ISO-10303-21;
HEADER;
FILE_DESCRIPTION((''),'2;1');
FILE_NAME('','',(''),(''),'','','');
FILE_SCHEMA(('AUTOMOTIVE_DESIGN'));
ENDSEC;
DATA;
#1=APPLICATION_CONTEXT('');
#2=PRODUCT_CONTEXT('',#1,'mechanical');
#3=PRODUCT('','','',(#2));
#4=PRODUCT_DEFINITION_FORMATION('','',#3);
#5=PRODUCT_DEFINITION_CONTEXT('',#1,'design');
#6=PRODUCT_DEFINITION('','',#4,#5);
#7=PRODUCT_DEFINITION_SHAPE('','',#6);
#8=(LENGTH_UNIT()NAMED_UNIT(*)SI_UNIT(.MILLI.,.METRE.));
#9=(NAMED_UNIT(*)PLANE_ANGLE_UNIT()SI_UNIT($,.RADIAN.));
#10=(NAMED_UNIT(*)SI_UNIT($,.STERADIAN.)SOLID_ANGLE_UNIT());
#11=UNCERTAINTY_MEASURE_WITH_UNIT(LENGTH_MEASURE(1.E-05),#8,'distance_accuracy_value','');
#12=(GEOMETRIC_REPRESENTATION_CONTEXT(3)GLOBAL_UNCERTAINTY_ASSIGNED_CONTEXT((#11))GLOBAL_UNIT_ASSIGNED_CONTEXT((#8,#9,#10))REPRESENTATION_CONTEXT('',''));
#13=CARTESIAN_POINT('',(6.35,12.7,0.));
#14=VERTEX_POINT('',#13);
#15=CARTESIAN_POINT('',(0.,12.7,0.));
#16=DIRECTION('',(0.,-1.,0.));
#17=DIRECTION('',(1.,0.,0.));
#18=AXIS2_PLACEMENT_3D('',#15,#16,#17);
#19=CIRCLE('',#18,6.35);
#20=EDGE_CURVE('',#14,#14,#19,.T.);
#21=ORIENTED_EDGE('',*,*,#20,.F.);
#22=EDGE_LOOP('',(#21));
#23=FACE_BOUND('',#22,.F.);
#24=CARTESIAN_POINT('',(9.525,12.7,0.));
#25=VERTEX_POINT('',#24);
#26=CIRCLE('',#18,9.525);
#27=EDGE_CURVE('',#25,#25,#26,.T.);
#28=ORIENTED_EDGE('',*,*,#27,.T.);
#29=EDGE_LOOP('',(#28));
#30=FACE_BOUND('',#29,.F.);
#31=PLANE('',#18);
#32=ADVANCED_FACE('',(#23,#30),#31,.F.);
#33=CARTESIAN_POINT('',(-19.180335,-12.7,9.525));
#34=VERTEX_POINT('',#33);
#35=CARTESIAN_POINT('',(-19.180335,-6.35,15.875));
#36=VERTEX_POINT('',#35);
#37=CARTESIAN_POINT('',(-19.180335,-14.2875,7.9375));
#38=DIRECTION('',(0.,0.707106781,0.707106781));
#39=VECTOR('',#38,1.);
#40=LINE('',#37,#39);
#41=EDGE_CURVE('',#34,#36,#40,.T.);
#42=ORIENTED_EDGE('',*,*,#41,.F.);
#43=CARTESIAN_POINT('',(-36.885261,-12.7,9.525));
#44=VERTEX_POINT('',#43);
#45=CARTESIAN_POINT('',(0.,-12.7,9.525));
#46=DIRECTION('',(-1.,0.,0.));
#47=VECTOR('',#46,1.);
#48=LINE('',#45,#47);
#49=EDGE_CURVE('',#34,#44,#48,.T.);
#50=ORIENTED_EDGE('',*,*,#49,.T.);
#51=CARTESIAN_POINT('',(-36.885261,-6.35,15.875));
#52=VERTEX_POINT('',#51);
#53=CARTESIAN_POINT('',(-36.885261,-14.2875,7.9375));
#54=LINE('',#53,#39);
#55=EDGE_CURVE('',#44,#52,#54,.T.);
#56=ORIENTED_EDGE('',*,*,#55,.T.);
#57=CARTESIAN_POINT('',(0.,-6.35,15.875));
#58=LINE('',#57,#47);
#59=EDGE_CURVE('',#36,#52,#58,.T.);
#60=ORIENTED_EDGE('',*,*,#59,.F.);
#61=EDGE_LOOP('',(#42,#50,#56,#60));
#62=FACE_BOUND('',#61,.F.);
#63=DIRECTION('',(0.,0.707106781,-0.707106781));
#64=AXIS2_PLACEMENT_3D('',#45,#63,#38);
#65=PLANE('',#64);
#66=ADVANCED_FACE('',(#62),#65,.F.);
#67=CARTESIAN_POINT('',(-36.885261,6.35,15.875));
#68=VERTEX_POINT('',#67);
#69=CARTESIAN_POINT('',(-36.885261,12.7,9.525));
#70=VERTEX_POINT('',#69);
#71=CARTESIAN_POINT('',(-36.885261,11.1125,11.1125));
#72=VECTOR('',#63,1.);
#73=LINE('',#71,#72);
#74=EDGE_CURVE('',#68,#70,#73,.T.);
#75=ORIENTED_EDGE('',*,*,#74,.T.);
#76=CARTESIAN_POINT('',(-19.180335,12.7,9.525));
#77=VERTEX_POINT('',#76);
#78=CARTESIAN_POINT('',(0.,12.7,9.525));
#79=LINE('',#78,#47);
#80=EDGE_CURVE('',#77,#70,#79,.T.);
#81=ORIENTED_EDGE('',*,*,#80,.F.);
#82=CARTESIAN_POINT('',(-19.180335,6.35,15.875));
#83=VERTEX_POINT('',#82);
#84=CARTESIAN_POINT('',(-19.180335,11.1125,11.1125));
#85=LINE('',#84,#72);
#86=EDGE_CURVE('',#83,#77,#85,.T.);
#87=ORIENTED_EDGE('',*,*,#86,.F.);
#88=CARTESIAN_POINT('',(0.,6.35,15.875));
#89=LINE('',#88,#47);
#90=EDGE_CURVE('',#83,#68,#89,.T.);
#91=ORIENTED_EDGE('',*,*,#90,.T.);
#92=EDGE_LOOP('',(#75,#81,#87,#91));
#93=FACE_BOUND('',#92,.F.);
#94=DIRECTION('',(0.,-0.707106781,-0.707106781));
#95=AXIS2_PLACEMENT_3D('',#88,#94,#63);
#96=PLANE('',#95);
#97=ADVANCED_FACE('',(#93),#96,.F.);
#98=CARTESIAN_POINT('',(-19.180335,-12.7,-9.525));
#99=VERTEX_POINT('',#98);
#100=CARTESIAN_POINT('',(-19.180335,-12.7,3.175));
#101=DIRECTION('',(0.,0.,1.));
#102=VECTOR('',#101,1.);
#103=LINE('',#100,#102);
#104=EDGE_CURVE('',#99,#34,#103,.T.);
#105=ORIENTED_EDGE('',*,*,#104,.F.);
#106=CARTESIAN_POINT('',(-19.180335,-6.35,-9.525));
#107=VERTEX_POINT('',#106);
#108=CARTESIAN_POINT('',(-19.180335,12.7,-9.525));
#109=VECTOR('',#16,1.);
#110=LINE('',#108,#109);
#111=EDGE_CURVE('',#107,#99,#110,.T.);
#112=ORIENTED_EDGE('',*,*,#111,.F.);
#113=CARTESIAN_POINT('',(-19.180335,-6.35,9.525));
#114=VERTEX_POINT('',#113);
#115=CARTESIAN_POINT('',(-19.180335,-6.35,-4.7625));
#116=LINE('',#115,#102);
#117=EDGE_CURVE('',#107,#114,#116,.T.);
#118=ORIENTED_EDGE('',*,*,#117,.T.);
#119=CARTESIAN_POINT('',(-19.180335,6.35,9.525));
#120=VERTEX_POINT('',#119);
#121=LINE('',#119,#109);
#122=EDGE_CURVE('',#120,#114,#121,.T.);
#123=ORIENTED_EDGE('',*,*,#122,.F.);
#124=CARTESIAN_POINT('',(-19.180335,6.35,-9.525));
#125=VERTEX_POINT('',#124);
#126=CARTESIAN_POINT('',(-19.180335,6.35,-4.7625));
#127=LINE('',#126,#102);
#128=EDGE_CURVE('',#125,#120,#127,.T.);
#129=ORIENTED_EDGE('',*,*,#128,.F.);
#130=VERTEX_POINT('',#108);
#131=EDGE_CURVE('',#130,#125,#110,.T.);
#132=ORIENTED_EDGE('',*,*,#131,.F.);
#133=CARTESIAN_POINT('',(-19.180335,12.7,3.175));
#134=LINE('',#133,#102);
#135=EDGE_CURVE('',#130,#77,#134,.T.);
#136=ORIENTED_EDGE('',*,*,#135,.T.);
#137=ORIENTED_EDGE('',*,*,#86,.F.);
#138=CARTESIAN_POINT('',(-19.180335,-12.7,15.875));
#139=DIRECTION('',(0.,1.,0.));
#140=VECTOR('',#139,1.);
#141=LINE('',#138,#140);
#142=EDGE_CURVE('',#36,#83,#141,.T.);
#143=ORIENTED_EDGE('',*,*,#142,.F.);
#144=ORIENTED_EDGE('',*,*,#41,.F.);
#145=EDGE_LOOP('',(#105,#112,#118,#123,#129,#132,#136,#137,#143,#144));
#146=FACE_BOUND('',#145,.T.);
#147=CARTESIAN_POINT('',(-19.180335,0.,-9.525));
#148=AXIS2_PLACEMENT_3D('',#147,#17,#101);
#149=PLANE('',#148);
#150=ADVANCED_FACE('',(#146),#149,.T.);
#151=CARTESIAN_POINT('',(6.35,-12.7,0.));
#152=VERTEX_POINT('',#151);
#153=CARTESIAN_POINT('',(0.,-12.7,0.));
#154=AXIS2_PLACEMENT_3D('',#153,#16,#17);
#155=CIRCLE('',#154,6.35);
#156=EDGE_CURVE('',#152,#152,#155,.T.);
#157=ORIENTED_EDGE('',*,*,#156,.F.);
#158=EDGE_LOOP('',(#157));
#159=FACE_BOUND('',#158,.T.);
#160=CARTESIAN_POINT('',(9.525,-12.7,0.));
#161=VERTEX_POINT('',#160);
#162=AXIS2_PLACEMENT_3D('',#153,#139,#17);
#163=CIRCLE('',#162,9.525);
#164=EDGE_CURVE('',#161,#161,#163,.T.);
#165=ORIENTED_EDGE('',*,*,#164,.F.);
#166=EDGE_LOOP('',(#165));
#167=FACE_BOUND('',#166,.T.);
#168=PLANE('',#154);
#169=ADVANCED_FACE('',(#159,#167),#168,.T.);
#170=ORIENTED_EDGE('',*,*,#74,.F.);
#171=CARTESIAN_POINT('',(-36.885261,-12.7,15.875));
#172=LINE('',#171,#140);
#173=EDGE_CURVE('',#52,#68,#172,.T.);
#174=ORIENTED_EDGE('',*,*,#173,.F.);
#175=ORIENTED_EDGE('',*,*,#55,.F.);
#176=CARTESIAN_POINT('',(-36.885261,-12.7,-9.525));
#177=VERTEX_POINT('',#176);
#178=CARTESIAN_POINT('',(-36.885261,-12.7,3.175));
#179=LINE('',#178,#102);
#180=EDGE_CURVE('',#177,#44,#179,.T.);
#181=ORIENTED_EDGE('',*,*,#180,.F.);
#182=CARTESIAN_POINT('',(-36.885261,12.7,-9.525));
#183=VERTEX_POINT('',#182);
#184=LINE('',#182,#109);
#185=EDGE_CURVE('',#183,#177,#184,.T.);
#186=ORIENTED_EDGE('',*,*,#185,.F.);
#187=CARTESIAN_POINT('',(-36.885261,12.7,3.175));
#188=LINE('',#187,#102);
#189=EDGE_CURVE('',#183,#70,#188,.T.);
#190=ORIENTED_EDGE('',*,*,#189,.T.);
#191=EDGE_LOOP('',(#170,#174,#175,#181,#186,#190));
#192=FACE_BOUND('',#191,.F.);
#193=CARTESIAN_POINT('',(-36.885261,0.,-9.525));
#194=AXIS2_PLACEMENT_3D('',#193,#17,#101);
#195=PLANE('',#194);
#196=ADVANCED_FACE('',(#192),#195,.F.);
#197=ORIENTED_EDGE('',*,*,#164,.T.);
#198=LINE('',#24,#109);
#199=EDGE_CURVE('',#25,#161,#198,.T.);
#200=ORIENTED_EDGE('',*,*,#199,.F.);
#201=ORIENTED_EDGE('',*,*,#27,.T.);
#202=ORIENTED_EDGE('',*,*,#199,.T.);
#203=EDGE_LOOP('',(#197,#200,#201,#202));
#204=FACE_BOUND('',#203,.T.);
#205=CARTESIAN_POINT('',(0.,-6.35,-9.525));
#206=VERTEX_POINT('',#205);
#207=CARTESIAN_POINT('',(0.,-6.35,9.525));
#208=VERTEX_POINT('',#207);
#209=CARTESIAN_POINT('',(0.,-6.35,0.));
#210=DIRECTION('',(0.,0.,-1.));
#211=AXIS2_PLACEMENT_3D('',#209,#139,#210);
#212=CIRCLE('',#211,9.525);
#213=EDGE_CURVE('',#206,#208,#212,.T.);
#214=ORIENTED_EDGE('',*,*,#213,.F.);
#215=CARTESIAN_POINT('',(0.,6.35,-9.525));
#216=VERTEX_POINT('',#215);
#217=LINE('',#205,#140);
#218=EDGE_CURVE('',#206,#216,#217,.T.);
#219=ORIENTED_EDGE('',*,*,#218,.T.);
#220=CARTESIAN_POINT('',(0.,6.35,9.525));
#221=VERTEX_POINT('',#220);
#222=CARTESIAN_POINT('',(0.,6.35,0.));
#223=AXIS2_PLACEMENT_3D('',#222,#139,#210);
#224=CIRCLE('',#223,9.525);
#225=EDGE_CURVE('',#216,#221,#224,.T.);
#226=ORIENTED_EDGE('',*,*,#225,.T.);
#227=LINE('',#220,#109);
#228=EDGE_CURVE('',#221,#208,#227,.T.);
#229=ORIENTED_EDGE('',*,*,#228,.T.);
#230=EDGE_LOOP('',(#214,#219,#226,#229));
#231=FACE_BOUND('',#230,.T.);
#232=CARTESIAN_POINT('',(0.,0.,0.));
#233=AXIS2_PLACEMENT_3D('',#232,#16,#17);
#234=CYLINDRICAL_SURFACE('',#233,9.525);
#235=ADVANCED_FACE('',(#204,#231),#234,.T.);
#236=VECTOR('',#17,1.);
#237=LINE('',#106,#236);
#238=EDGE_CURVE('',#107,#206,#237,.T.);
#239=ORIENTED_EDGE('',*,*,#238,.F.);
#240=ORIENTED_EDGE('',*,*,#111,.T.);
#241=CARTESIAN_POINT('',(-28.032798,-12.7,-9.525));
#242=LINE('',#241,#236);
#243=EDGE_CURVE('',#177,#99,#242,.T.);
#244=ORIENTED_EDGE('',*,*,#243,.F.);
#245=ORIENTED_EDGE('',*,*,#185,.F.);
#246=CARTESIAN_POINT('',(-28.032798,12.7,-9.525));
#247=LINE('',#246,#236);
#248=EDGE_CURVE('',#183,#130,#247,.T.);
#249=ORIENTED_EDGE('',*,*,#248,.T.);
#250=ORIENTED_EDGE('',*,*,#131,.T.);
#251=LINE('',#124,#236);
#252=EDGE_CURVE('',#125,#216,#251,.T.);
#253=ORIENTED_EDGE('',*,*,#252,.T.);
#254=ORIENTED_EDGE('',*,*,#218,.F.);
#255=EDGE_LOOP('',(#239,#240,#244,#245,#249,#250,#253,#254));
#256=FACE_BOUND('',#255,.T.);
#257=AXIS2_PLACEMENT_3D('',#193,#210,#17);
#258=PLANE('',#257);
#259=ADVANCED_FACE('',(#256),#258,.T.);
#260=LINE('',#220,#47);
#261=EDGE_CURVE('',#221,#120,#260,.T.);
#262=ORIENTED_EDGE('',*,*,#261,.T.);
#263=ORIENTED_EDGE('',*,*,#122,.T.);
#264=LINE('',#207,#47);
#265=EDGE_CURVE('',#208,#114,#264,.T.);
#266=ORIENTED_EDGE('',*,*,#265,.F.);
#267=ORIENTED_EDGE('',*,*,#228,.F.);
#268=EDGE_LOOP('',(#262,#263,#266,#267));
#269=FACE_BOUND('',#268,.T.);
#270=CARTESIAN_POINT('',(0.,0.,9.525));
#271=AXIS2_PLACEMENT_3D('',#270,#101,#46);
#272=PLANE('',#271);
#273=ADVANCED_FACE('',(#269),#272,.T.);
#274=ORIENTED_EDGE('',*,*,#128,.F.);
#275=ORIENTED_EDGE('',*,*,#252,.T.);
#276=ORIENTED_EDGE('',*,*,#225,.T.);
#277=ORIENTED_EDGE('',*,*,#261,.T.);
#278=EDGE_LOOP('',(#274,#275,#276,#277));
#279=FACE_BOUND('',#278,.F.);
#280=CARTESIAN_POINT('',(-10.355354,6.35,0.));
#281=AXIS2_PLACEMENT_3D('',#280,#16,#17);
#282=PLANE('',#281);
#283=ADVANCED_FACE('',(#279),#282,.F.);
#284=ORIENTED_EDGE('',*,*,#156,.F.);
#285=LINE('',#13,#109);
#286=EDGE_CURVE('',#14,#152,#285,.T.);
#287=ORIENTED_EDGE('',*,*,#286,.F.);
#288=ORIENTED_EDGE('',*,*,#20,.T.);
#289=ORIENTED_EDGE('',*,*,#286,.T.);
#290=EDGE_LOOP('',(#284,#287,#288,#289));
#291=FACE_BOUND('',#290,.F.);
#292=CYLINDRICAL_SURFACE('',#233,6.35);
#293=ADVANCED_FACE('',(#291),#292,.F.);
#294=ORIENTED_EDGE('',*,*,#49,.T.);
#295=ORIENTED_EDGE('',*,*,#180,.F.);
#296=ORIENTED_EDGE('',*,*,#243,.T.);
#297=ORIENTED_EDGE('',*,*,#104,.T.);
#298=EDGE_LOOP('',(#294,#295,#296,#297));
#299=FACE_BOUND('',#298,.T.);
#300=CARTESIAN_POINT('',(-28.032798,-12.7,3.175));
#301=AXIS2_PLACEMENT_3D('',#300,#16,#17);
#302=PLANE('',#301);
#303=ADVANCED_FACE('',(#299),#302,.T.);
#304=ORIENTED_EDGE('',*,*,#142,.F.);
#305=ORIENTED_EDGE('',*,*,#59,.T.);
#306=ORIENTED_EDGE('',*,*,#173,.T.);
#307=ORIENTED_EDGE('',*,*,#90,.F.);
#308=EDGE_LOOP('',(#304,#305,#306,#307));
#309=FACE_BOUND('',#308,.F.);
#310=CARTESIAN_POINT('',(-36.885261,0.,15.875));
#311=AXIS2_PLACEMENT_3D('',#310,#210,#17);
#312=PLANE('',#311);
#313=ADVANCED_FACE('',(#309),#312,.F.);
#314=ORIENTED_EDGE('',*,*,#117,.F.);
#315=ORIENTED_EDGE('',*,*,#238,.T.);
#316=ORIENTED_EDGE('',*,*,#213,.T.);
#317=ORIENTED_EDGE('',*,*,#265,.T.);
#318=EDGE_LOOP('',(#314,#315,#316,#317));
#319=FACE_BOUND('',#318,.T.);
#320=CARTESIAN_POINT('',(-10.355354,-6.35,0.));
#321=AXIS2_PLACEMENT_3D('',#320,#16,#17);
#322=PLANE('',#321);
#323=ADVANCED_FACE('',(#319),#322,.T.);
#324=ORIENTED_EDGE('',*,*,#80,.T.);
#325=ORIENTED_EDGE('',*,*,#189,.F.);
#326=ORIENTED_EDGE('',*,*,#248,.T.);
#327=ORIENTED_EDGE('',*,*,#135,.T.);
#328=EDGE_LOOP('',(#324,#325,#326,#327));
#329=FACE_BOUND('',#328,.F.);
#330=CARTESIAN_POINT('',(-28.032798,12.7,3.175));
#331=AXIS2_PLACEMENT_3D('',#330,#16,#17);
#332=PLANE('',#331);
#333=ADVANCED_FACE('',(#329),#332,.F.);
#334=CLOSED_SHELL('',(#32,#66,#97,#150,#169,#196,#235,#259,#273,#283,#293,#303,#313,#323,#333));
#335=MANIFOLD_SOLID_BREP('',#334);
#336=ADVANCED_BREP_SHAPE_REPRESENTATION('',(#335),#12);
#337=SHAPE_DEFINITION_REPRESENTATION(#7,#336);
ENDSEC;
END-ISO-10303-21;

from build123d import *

# Parameters (mm, degrees)
F0_R     = 9.525
F1_DEPTH = 12.7
F2_R     = 6.35
F3_DEPTH = 12.7
F5_DEPTH = 6.35
F6_W     = 17.704927
F6_H     = 25.4
F7_DEPTH = 12.7
F9_DEPTH = 38.1


with BuildPart() as f1:
    # F0 (on Front) → F1 (new body, symmetric)
    with BuildSketch(Plane.XZ):
        Circle(F0_R)
    extrude(amount=F1_DEPTH, both=True)

    # F2 (on Front) → F3 (cut, symmetric)
    with BuildSketch(Plane.XZ):
        Circle(F2_R)
    extrude(amount=F3_DEPTH, both=True, mode=Mode.SUBTRACT)

    # F4 (on Front) → F5 (join, symmetric)
    with BuildSketch(Plane.XZ):
        with BuildLine():
            ThreePointArc((0, -9.525), (-9.525, 0), (0, 9.525))
            Line((0, 9.525), (-19.180335, 9.525))
            Line((-19.180335, 9.525), (-19.180335, -9.525))
            Line((-19.180335, -9.525), (0, -9.525))
        make_face()
    extrude(amount=F5_DEPTH, both=True)

    # F6 (on Front) → F7 (join, symmetric)
    with BuildSketch(Plane.XZ):
        with Locations((-28.032798, 3.175)):
            Rectangle(F6_W, F6_H)
    extrude(amount=F7_DEPTH, both=True)

    # F8 (on Right) → F9 (cut)
    with BuildSketch(Plane.YZ):
        Polygon((12.7, 9.525), (12.7, 15.875), (6.35, 15.875), align=None)
        Polygon((-6.35, 15.875), (-12.7, 15.875), (-12.7, 9.525), align=None)
    extrude(amount=-F9_DEPTH, mode=Mode.SUBTRACT)


solid = f1.part
